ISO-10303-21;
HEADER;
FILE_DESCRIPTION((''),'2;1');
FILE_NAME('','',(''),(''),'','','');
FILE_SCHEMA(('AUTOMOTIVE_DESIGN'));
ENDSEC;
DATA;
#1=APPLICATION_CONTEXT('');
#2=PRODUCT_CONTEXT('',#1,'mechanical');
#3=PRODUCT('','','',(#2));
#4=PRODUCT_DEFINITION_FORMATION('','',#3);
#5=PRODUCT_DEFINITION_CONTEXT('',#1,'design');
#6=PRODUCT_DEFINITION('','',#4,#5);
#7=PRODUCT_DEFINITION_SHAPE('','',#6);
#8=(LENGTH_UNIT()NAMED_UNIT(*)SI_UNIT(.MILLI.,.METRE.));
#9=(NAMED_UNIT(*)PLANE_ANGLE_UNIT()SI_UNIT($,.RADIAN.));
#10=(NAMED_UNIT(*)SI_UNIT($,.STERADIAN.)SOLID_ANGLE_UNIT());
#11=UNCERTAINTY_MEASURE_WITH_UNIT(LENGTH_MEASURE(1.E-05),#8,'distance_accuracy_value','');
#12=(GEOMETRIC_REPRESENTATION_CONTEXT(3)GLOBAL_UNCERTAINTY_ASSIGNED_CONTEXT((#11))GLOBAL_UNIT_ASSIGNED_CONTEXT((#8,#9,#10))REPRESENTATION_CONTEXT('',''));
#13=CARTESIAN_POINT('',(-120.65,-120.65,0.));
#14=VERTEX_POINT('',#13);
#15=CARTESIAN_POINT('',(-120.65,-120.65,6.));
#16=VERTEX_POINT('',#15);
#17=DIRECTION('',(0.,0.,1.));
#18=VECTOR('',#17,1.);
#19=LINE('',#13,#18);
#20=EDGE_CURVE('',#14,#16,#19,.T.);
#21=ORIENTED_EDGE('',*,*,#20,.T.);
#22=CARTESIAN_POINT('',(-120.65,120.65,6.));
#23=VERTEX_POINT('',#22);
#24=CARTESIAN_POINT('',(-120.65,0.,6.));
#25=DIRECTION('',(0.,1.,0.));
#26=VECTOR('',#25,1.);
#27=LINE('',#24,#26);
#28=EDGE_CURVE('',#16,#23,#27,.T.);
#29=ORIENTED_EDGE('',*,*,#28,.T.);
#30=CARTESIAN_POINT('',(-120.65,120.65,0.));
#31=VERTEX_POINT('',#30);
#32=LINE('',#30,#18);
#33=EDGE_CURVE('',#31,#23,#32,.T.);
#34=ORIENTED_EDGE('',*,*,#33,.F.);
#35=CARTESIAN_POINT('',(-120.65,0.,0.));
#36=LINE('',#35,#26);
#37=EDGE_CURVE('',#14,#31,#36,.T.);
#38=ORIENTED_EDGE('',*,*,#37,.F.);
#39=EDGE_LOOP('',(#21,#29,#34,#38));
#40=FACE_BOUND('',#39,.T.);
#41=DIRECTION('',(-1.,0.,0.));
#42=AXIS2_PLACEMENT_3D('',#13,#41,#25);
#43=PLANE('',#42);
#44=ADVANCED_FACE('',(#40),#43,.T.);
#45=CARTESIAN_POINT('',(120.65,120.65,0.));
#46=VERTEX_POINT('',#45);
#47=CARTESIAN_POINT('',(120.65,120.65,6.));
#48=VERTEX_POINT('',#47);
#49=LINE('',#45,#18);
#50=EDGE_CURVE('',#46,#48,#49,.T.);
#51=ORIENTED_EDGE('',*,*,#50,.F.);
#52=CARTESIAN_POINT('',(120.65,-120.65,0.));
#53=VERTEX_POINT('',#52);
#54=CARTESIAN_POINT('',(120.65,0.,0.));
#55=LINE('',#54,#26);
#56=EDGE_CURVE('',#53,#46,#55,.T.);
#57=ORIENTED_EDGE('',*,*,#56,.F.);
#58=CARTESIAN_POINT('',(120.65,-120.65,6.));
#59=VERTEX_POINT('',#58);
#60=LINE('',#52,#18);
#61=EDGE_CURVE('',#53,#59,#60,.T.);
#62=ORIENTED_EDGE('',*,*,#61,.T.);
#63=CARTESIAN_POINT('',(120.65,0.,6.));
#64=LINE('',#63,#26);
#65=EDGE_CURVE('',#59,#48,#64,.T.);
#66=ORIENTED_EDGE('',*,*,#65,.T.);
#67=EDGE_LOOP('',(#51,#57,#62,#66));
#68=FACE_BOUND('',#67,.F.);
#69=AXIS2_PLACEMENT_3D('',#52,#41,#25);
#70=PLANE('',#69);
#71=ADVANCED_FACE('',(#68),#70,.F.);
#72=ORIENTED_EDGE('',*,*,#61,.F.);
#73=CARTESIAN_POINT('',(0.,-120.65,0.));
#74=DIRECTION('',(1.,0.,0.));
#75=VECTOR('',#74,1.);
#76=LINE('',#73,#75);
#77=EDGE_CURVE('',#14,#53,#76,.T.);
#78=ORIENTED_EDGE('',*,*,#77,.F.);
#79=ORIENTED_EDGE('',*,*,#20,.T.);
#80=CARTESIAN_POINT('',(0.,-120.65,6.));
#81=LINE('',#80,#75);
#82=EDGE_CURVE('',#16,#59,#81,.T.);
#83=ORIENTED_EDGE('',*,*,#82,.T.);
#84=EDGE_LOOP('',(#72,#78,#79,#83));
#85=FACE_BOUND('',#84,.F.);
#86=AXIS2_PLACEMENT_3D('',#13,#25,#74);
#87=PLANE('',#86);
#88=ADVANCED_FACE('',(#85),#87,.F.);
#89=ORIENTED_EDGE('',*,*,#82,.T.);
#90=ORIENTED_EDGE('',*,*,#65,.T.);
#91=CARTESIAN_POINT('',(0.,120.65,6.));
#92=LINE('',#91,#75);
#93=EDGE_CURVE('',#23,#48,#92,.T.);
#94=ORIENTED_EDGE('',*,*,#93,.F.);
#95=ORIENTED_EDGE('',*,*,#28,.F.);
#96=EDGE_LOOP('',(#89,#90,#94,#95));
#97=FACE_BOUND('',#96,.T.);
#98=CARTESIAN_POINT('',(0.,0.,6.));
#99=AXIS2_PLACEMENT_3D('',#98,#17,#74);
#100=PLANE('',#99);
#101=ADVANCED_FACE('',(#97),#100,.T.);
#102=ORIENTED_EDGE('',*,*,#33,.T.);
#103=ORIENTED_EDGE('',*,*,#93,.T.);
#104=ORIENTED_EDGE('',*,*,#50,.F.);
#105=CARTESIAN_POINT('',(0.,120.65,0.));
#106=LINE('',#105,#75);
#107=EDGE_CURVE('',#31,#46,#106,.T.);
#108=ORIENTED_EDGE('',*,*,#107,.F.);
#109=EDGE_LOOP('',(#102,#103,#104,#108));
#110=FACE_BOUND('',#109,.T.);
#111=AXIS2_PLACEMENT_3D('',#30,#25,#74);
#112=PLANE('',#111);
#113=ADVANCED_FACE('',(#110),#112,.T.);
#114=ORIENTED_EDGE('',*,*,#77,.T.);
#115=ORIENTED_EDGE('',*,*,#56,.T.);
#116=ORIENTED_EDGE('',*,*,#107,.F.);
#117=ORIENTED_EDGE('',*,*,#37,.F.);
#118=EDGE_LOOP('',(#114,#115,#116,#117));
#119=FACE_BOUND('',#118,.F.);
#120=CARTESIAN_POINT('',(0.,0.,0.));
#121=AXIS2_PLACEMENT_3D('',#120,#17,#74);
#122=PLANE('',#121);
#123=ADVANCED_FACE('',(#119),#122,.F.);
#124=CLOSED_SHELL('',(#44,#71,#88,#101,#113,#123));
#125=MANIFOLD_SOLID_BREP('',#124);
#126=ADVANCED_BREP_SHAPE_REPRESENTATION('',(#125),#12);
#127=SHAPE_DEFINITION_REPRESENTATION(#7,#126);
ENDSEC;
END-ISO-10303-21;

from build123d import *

# Parameters (mm, degrees)
SKETCH_W  = 241.3
SKETCH_H  = 241.3
PAD_DEPTH = 6


with BuildPart() as part:
    # Sketch → Pad (new body)
    with BuildSketch(Plane.XY):
        Rectangle(SKETCH_W, SKETCH_H)
    extrude(amount=PAD_DEPTH)


solid = part.part
